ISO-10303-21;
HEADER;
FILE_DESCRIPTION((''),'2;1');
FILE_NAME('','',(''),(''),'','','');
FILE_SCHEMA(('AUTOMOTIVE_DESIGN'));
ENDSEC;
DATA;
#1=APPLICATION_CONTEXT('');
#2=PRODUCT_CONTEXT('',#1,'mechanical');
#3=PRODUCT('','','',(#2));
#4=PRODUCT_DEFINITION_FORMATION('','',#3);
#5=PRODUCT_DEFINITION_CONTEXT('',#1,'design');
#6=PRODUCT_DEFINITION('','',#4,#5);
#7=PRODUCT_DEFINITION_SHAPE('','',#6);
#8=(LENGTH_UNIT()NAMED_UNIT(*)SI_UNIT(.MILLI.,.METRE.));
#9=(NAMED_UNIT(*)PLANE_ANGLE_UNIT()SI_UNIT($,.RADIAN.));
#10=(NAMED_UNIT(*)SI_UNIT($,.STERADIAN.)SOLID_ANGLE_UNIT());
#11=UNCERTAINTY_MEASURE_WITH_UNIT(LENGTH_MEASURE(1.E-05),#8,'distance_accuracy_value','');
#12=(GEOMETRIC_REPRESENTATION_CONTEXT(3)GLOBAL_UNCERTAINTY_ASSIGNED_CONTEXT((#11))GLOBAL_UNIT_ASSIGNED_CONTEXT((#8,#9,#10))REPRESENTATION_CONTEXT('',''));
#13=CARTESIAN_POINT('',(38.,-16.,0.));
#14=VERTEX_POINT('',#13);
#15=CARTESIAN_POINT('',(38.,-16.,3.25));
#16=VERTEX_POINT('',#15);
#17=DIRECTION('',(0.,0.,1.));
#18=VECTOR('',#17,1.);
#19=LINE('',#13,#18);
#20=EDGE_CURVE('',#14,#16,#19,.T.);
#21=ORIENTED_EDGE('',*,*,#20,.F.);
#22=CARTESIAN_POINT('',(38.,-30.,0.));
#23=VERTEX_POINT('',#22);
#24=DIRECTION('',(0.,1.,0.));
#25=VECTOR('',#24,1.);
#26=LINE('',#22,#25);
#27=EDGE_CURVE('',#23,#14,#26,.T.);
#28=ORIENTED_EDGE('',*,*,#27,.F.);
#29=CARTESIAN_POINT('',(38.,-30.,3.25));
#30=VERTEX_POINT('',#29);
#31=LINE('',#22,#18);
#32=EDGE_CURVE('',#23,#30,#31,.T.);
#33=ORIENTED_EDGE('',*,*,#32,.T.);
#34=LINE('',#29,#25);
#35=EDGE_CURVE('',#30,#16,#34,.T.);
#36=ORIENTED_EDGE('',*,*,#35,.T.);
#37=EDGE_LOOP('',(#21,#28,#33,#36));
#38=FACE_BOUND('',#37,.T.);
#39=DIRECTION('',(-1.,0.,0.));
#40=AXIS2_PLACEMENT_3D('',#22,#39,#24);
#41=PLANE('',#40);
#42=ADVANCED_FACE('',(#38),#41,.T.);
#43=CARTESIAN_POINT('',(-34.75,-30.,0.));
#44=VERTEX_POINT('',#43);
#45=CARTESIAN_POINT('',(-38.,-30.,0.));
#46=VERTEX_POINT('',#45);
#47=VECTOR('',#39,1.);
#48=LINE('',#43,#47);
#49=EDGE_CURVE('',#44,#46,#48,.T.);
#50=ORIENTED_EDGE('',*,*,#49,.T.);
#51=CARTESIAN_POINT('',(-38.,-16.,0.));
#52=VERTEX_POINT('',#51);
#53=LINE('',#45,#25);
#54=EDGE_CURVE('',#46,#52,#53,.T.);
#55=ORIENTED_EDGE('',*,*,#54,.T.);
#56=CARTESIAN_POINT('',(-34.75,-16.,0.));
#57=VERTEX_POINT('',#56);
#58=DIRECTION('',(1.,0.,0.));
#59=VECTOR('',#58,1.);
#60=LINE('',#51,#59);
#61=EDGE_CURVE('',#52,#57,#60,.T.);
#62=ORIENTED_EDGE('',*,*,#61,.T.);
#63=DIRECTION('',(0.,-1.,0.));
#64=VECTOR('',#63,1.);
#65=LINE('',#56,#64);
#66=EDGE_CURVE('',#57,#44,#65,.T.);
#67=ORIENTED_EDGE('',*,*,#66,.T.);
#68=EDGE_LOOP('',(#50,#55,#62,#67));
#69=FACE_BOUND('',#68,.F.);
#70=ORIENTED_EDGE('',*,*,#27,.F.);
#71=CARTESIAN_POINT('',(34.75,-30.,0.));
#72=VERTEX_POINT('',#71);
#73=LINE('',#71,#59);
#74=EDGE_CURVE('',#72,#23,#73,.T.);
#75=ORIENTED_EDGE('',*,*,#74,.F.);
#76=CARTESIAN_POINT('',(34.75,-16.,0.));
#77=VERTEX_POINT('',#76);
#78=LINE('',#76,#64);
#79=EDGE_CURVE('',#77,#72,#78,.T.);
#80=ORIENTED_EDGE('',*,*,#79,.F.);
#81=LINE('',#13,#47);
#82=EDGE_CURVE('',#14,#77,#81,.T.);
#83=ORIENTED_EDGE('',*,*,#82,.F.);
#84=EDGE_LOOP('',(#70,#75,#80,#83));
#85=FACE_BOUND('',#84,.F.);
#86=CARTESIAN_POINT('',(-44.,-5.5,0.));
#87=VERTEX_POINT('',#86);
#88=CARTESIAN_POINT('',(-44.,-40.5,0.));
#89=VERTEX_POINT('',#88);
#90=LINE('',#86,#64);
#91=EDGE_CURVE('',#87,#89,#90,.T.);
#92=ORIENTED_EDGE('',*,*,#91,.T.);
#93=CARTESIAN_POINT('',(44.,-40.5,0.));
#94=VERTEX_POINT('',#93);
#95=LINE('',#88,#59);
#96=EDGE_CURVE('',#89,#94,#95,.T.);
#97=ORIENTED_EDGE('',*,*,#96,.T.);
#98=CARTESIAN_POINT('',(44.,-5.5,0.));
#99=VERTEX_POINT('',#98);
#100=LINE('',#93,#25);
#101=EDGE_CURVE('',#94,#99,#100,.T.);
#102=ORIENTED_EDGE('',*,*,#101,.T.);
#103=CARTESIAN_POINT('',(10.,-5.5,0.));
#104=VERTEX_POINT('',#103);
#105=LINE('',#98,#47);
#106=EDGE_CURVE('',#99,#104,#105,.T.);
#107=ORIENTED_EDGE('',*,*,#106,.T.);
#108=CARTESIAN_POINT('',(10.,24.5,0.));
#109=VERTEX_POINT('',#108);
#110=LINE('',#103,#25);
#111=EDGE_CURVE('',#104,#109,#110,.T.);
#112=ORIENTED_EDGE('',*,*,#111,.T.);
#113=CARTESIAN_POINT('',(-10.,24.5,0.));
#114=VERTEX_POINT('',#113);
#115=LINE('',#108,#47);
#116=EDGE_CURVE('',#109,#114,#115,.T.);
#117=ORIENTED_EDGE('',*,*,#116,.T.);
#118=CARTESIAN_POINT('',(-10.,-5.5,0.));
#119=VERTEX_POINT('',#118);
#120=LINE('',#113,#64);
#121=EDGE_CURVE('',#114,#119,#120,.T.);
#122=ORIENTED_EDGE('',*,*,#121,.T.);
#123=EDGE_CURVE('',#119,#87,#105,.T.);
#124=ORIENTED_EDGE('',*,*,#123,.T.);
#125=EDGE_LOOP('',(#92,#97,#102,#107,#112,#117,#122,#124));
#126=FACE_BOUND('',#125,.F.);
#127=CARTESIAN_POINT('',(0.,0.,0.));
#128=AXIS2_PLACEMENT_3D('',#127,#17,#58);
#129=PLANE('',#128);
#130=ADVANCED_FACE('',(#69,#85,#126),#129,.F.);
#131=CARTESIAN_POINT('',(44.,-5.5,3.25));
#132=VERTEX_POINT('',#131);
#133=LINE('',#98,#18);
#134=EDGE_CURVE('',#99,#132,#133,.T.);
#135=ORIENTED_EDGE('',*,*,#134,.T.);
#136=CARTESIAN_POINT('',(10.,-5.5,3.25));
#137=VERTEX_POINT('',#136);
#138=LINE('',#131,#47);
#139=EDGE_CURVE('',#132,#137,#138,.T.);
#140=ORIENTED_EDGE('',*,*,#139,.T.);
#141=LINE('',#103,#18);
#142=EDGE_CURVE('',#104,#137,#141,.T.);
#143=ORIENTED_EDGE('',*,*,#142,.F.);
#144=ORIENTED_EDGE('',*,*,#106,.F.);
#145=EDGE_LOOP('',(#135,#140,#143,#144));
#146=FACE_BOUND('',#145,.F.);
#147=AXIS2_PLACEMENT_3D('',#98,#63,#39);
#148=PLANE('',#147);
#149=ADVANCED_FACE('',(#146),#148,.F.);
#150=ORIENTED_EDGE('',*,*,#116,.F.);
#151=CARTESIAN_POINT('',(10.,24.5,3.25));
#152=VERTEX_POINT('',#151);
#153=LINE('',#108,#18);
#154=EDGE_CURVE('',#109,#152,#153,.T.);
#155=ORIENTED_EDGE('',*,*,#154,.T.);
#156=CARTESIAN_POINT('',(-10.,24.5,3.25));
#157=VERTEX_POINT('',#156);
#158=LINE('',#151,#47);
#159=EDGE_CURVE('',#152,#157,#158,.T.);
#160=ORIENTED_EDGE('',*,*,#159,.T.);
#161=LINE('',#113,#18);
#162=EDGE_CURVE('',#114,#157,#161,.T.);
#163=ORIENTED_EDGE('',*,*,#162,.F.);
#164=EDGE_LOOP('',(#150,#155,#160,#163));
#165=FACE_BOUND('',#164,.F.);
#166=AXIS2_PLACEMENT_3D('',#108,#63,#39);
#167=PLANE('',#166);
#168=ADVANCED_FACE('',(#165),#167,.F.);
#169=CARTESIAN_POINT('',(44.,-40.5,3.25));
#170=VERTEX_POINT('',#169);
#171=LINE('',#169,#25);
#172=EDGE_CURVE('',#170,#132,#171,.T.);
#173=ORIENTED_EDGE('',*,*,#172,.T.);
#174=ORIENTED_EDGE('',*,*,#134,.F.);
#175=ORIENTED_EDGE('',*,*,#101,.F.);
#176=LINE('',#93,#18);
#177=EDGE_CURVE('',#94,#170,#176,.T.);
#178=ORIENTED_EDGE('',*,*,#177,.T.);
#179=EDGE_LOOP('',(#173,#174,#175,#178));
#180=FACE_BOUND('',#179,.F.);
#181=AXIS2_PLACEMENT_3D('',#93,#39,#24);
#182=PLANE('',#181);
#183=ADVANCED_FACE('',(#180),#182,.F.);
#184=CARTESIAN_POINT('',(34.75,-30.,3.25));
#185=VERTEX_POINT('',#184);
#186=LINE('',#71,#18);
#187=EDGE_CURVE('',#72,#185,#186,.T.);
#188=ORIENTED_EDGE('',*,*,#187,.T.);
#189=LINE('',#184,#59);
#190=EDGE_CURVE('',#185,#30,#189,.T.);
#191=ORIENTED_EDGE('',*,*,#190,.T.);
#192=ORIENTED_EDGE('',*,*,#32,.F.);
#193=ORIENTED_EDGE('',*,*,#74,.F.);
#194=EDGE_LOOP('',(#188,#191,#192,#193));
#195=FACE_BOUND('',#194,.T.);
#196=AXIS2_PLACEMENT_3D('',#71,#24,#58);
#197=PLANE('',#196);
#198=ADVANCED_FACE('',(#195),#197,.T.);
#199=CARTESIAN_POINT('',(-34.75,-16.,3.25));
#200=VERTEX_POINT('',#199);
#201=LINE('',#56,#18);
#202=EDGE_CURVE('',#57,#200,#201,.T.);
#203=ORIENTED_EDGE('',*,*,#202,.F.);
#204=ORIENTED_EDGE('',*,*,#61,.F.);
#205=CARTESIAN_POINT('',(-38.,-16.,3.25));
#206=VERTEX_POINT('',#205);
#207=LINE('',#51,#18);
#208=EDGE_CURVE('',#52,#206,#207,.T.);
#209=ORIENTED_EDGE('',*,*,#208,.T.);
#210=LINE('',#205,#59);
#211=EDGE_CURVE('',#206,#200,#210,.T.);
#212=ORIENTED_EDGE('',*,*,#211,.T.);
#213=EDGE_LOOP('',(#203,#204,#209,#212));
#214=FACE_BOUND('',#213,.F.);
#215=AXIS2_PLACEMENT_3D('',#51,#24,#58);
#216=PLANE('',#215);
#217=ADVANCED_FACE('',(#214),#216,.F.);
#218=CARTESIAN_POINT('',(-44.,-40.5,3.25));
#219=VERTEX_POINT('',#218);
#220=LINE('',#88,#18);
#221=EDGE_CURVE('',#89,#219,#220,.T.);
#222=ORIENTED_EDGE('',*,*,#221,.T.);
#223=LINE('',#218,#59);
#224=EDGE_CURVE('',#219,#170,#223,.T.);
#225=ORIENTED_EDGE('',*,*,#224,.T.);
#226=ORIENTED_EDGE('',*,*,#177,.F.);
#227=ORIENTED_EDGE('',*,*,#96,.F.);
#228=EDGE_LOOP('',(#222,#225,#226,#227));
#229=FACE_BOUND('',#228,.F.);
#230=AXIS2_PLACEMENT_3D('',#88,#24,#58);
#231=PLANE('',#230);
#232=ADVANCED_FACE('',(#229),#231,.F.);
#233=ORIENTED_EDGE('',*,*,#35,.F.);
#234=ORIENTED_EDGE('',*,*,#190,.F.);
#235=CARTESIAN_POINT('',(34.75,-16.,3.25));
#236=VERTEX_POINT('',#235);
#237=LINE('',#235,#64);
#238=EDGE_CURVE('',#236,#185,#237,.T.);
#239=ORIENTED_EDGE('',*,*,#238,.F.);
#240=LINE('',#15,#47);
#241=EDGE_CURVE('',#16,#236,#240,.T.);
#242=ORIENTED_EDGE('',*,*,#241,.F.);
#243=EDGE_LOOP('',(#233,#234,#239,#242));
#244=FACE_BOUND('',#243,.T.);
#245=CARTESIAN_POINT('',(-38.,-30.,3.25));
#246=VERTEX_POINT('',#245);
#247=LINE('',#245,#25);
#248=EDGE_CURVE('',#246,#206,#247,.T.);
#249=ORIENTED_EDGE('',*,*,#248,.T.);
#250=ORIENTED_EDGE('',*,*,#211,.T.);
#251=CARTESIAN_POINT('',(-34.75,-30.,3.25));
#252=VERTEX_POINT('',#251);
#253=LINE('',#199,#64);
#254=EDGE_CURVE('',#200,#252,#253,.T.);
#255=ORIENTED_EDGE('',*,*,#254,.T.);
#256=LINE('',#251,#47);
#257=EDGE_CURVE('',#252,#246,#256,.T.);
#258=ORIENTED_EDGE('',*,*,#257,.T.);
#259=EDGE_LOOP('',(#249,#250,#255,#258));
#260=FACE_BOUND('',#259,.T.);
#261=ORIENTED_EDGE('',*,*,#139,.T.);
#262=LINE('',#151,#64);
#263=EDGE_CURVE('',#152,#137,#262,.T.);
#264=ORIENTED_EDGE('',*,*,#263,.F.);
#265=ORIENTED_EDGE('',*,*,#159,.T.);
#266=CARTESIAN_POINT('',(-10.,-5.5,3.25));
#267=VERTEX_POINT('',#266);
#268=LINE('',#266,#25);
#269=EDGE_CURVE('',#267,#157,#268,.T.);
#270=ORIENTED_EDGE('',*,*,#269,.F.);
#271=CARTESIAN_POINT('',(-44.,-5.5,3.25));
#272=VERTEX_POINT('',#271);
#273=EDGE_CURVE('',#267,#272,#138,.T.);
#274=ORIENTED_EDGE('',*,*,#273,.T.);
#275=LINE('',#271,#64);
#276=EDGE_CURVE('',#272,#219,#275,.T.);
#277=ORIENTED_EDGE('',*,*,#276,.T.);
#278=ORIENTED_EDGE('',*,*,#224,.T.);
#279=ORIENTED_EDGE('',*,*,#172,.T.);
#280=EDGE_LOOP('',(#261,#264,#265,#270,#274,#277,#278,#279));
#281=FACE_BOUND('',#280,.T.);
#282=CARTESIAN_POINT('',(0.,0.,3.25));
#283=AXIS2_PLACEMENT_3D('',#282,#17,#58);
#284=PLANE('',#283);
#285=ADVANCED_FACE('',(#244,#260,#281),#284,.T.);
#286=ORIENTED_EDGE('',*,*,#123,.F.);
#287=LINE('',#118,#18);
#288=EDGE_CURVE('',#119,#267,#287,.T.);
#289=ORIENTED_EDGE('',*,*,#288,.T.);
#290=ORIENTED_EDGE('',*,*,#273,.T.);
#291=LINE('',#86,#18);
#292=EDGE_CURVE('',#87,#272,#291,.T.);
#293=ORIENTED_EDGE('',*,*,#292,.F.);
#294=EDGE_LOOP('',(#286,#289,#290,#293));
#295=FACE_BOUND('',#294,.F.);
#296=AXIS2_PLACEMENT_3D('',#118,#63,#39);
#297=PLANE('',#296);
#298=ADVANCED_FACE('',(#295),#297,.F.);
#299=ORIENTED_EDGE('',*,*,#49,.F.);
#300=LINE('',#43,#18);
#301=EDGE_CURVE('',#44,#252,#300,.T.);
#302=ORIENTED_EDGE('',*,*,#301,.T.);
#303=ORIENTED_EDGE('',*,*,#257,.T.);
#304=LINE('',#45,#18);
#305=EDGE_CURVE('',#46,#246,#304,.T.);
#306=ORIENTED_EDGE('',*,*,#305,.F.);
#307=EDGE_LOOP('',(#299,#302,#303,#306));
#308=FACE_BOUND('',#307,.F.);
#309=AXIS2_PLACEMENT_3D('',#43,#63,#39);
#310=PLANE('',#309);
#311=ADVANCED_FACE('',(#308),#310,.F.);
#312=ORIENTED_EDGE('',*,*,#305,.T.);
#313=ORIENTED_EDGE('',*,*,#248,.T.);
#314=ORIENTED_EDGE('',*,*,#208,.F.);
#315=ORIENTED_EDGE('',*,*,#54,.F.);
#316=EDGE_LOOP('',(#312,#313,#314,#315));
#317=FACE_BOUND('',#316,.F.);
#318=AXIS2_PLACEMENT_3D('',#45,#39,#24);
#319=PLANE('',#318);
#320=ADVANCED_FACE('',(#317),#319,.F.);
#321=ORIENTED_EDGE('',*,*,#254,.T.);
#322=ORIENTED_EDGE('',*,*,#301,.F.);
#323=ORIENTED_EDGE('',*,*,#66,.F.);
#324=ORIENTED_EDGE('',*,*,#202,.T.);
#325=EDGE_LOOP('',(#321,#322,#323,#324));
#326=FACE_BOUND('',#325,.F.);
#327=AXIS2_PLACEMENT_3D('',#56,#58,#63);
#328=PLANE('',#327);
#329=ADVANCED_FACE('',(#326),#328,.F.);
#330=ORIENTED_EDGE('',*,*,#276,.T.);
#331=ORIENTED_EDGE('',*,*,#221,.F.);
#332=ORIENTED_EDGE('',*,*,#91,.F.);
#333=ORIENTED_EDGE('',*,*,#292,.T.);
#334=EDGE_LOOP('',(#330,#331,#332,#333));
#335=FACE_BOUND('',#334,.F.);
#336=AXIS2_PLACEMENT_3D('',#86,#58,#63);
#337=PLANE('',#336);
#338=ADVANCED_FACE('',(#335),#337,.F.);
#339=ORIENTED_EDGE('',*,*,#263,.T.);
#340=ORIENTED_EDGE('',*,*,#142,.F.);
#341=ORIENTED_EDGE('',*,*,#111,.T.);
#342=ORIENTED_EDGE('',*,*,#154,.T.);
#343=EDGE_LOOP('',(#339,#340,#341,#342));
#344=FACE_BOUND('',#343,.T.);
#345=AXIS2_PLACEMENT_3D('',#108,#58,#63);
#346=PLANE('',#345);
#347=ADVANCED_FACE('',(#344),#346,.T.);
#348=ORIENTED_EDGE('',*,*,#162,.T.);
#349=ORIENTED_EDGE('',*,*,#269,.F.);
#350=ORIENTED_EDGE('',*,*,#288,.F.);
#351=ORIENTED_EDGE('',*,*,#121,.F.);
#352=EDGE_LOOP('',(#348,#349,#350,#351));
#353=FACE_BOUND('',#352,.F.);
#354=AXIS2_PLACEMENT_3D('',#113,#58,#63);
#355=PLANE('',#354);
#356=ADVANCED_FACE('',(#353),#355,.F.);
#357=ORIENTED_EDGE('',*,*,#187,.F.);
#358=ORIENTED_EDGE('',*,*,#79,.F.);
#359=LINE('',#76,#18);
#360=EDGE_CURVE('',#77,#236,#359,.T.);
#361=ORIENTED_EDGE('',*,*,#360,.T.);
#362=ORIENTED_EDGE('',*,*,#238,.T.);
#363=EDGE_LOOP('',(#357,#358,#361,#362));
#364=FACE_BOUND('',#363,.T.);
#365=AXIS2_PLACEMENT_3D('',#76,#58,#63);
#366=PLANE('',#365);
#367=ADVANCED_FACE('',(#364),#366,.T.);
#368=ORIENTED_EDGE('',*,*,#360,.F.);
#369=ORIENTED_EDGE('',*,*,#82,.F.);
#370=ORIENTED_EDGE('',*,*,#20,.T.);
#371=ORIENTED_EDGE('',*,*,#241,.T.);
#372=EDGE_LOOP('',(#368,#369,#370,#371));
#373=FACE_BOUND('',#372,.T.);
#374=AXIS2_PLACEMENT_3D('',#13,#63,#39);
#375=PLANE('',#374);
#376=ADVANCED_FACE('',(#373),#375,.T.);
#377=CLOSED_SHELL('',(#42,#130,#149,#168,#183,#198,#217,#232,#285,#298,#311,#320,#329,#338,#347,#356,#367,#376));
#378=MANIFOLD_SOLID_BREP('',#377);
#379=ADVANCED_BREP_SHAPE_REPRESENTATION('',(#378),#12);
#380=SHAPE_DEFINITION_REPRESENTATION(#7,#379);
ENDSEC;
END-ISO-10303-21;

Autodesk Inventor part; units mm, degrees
ref_plane "YZ Plane" through (0, 0, 0) normal (1, 0, 0) x (0, 1, 0)
ref_plane "XZ Plane" through (0, 0, 0) normal (0, 1, 0) x (-1, 0, 0)
ref_plane "XY Plane" through (0, 0, 0) normal (0, 0, 1) x (1, 0, 0)
sketch "Block1" plane through (0, 0, 0) normal (0, 0, 1) x (1, 0, 0)
  circle A0 centre (74.029, 24.2723) radius 1
  line L0 (49.279, 30.4723) -> (71.779, 30.4723)
  line L1 (71.779, 30.4723) -> (71.779, 18.0723)
  line L2 (71.779, 18.0723) -> (49.279, 18.0723)
  line L3 (49.279, 18.0723) -> (49.279, 30.4723)
  line L4 (49.279, 30.4723) -> (44.779, 30.4723)
  line L5 (44.779, 30.4723) -> (44.779, 18.0723)
  line L6 (44.779, 18.0723) -> (49.279, 18.0723)
  line L7 (49.279, 18.0723) -> (49.279, 30.4723)
  line L8 (71.779, 30.4723) -> (76.279, 30.4723)
  line L9 (76.279, 30.4723) -> (76.279, 18.0723)
  line L10 (76.279, 18.0723) -> (71.779, 18.0723)
  line L11 (71.779, 18.0723) -> (71.779, 30.4723)
  line L12 (44.779, 24.2723) -> (76.279, 24.2723) construction
  line L13 (47.029, 30.4723) -> (47.029, 18.0723) construction
  circle A1 centre (47.029, 24.2723) radius 1
  line L14 (74.029, 30.4723) -> (74.029, 18.0723) construction
  point P0 (60.979, 24.0984)
  dimension "d22" = 22.5
  dimension "d23" = 12.4
  dimension "d24" = 4.5
  dimension "d25" = 4.5
  dimension "d26" = 2
  dimension "d27" = 2
sketch "Sketch1" plane through (0, 0, 0) normal (0, 0, 1) x (1, 0, 0)
  line L0 (-50, 50) -> (50, 50)
  line L1 (50, 50) -> (50, -50)
  line L2 (50, -50) -> (-50, -50)
  line L3 (-50, -50) -> (-50, 50)
  line L4 (-92.7646, -8.503) -> (-89.7646, -8.503)
  line L5 (-89.7646, -8.503) -> (-89.7646, -11.753)
  line L6 (-89.7646, -11.753) -> (-92.7646, -11.753)
  line L7 (-92.7646, -11.753) -> (-92.7646, -8.503)
  line L8 (-92.7646, -21.6527) -> (-89.7646, -21.6527)
  line L9 (-89.7646, -21.6527) -> (-89.7646, -21.7527)
  line L10 (-89.7646, -21.7527) -> (-92.7646, -21.7527)
  line L11 (-92.7646, -21.7527) -> (-92.7646, -21.6527)
  line L12 (-50, 50) -> (-46.75, 50)
  line L13 (-46.75, 50) -> (-46.75, 36)
  line L14 (-46.75, 36) -> (-50, 36)
  line L15 (-50, 36) -> (-50, 50)
  line L16 (0, 50) -> (0, -50) construction
  line L17 (-50, 0) -> (50, 0) construction
  line L18 (50, 50) -> (46.75, 50)
  line L19 (46.75, 50) -> (46.75, 36)
  line L20 (46.75, 36) -> (50, 36)
  line L21 (50, 36) -> (50, 50)
  line L22 (-50, -50) -> (-46.75, -50)
  line L23 (-46.75, -50) -> (-46.75, -36)
  line L24 (-46.75, -36) -> (-50, -36)
  line L25 (-50, -36) -> (-50, -50)
  line L26 (46.75, -50) -> (46.75, -36)
  line L27 (46.75, -36) -> (50, -36)
  line L28 (50, -36) -> (50, -50)
  line L29 (50, -50) -> (46.75, -50)
  line L30 (-40, 40) -> (-10, 40)
  line L31 (-10, 40) -> (-10, 0)
  line L32 (-10, 0) -> (-40, 0)
  line L33 (-40, 0) -> (-40, 40)
  line L34 (40, 40) -> (10, 40)
  line L35 (10, 40) -> (10, 0)
  line L36 (10, 0) -> (40, 0)
  line L37 (40, 0) -> (40, 40)
  line L38 (-10, 50) -> (-6.75, 50)
  line L39 (-6.75, 50) -> (-6.75, 42)
  line L40 (-6.75, 42) -> (-10, 42)
  line L41 (-10, 42) -> (-10, 50)
  line L42 (10, 50) -> (6.75, 50)
  line L43 (6.75, 50) -> (6.75, 42)
  line L44 (6.75, 42) -> (10, 42)
  line L45 (10, 42) -> (10, 50)
  line L46 (-25, 0) -> (-25, 40) construction
  line L47 (-40, 50) -> (-43.25, 50)
  line L48 (-43.25, 50) -> (-43.25, 42)
  line L49 (-43.25, 42) -> (-40, 42)
  line L50 (-40, 42) -> (-40, 50)
  line L51 (43.25, 42) -> (40, 42)
  line L52 (43.25, 50) -> (43.25, 42)
  line L53 (40, 50) -> (43.25, 50)
  line L54 (40, 42) -> (40, 50)
  line L55 (0, -21.3) -> (0, -33.7) construction
  line L56 (-38, -16) -> (-34.75, -16)
  line L57 (-34.75, -16) -> (-34.75, -30)
  line L58 (-34.75, -30) -> (-38, -30)
  line L59 (-38, -30) -> (-38, -16)
  line L60 (-38, -23) -> (-34.75, -23) construction
  line L61 (38, -16) -> (34.75, -16)
  line L62 (34.75, -16) -> (34.75, -30)
  line L63 (34.75, -30) -> (38, -30)
  line L64 (38, -30) -> (38, -16)
  line L65 (38, -23) -> (34.75, -23) construction
  line L66 (-44, -40.5) -> (44, -40.5)
  line L67 (44, -40.5) -> (44, -5.5)
  line L68 (44, -5.5) -> (-44, -5.5)
  line L69 (-44, -5.5) -> (-44, -40.5)
  line L70 (-10, -5.5) -> (10, -5.5)
  line L71 (10, -5.5) -> (10, 24.5)
  line L72 (10, 24.5) -> (-10, 24.5)
  line L73 (-10, 24.5) -> (-10, -5.5)
  line L74 (44, -23) -> (-44, -23) construction
  point P0 (0, 0)
  dimension "d0" = 100
  dimension "d2" = 100
  dimension "d3" = 3
  dimension "mat" = 3.25
  dimension "d5" = 3
  dimension "kerf" = 0.1
  dimension "d7" = 3.25
  dimension "d8" = 14
  dimension "d9" = 30
  dimension "d10" = 40
  dimension "d11" = 10
  dimension "d12" = 10
  dimension "d15" = 3.25
  dimension "d16" = 8
  dimension "d17" = 0
  dimension "d28" = 22.5
  dimension "d29" = 3.25
  dimension "d30" = 14
  dimension "d31" = 12
  dimension "d34" = 6
  dimension "d35" = 6
  dimension "d38" = 20
  dimension "d39" = 30
  dimension "d42" = 35
  dimension "d43" = 9.5
  dimension "d44" = 20
extrude "Extrusion5" add sketch "Sketch1" along normal blind 3.25 contours L72 L35 L71 L68 L73 L31 | L68 L67 L66 L69
equation "\"d7\" = mat"
equation "\"d15\" = mat"
equation "\"d29\" = mat"
equation "\"d40\" = mat"
properties part number "body-back"
